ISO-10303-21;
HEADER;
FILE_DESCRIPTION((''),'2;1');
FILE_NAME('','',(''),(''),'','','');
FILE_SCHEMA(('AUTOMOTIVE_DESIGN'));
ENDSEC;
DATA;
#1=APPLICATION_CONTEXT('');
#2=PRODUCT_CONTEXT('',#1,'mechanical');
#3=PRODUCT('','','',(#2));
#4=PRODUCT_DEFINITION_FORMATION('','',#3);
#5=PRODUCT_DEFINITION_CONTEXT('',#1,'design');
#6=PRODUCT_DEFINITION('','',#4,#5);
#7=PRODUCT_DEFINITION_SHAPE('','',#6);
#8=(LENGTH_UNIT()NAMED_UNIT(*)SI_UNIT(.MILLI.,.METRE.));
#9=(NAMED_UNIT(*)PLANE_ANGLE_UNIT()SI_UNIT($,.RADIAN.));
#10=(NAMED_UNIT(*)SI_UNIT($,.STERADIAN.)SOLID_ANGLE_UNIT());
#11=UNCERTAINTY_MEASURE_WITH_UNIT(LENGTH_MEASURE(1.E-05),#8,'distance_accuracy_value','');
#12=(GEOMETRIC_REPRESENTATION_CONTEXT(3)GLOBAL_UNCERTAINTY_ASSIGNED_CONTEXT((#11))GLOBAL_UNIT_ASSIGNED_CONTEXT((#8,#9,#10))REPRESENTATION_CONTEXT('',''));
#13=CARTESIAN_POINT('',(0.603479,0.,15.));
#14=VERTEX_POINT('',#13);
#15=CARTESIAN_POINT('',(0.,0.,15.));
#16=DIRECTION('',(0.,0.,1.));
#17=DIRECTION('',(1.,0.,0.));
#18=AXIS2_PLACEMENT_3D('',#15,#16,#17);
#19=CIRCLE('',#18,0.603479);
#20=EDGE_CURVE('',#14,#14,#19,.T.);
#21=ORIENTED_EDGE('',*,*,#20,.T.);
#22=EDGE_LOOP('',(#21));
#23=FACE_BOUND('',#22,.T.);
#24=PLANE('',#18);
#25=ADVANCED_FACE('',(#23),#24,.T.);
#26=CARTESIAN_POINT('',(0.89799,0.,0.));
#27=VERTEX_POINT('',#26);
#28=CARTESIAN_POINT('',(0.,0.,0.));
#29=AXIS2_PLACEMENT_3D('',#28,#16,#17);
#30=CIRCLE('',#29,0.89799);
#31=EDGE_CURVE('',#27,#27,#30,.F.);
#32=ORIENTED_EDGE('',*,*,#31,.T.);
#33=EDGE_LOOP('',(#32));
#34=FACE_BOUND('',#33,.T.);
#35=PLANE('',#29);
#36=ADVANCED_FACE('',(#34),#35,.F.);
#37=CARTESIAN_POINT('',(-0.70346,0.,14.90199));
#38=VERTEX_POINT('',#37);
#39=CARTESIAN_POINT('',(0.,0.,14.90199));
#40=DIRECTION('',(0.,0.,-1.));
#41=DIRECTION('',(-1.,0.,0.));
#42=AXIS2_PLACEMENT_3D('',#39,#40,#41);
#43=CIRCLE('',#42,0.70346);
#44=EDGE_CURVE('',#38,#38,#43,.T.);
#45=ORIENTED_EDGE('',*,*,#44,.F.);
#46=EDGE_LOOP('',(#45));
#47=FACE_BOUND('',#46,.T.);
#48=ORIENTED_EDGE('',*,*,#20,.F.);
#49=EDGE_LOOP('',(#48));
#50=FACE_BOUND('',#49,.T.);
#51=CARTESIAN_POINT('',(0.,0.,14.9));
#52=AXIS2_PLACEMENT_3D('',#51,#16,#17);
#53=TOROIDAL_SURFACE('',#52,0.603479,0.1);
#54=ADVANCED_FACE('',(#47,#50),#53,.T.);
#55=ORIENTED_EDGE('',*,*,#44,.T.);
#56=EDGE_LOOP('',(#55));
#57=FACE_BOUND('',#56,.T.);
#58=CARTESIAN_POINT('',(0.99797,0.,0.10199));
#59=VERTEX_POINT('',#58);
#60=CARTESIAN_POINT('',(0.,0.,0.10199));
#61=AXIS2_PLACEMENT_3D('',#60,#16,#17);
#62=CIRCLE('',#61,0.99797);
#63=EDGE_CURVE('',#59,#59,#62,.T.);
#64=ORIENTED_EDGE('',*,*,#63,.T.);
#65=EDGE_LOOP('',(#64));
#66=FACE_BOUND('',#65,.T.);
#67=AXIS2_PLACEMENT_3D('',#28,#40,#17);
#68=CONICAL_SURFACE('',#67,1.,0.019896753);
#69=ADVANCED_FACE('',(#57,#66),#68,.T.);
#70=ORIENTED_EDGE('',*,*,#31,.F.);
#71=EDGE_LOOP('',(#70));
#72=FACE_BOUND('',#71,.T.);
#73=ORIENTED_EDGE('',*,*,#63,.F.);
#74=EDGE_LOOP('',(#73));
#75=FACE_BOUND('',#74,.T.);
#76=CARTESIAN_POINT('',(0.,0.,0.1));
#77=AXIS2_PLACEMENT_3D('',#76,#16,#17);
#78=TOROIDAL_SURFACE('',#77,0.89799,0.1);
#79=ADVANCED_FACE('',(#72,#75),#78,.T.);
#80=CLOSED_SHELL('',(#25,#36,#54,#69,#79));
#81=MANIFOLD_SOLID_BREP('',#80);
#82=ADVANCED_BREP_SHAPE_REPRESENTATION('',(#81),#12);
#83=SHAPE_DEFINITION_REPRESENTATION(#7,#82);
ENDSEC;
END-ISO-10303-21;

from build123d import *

# Parameters (mm, degrees)
SKETCH_1_R      = 1
EXTRUDE_1_DEPTH = 15
EXTRUDE_1_TAPER = 1.14
FILLET_1_R      = 0.1


with BuildPart() as part:
    # 草图1 → 凸台-拉伸1 (new body)
    with BuildSketch(Plane.XY):
        Circle(SKETCH_1_R)
    extrude(amount=EXTRUDE_1_DEPTH, taper=EXTRUDE_1_TAPER)

    # 圆角1
    fillet_1_edges = [part.edges().sort_by_distance(p)[0] for p in [
        (-1, 0, 0),
        (-0.701509308, 0, 15),
    ]]
    fillet(fillet_1_edges, radius=FILLET_1_R)


solid = part.part
